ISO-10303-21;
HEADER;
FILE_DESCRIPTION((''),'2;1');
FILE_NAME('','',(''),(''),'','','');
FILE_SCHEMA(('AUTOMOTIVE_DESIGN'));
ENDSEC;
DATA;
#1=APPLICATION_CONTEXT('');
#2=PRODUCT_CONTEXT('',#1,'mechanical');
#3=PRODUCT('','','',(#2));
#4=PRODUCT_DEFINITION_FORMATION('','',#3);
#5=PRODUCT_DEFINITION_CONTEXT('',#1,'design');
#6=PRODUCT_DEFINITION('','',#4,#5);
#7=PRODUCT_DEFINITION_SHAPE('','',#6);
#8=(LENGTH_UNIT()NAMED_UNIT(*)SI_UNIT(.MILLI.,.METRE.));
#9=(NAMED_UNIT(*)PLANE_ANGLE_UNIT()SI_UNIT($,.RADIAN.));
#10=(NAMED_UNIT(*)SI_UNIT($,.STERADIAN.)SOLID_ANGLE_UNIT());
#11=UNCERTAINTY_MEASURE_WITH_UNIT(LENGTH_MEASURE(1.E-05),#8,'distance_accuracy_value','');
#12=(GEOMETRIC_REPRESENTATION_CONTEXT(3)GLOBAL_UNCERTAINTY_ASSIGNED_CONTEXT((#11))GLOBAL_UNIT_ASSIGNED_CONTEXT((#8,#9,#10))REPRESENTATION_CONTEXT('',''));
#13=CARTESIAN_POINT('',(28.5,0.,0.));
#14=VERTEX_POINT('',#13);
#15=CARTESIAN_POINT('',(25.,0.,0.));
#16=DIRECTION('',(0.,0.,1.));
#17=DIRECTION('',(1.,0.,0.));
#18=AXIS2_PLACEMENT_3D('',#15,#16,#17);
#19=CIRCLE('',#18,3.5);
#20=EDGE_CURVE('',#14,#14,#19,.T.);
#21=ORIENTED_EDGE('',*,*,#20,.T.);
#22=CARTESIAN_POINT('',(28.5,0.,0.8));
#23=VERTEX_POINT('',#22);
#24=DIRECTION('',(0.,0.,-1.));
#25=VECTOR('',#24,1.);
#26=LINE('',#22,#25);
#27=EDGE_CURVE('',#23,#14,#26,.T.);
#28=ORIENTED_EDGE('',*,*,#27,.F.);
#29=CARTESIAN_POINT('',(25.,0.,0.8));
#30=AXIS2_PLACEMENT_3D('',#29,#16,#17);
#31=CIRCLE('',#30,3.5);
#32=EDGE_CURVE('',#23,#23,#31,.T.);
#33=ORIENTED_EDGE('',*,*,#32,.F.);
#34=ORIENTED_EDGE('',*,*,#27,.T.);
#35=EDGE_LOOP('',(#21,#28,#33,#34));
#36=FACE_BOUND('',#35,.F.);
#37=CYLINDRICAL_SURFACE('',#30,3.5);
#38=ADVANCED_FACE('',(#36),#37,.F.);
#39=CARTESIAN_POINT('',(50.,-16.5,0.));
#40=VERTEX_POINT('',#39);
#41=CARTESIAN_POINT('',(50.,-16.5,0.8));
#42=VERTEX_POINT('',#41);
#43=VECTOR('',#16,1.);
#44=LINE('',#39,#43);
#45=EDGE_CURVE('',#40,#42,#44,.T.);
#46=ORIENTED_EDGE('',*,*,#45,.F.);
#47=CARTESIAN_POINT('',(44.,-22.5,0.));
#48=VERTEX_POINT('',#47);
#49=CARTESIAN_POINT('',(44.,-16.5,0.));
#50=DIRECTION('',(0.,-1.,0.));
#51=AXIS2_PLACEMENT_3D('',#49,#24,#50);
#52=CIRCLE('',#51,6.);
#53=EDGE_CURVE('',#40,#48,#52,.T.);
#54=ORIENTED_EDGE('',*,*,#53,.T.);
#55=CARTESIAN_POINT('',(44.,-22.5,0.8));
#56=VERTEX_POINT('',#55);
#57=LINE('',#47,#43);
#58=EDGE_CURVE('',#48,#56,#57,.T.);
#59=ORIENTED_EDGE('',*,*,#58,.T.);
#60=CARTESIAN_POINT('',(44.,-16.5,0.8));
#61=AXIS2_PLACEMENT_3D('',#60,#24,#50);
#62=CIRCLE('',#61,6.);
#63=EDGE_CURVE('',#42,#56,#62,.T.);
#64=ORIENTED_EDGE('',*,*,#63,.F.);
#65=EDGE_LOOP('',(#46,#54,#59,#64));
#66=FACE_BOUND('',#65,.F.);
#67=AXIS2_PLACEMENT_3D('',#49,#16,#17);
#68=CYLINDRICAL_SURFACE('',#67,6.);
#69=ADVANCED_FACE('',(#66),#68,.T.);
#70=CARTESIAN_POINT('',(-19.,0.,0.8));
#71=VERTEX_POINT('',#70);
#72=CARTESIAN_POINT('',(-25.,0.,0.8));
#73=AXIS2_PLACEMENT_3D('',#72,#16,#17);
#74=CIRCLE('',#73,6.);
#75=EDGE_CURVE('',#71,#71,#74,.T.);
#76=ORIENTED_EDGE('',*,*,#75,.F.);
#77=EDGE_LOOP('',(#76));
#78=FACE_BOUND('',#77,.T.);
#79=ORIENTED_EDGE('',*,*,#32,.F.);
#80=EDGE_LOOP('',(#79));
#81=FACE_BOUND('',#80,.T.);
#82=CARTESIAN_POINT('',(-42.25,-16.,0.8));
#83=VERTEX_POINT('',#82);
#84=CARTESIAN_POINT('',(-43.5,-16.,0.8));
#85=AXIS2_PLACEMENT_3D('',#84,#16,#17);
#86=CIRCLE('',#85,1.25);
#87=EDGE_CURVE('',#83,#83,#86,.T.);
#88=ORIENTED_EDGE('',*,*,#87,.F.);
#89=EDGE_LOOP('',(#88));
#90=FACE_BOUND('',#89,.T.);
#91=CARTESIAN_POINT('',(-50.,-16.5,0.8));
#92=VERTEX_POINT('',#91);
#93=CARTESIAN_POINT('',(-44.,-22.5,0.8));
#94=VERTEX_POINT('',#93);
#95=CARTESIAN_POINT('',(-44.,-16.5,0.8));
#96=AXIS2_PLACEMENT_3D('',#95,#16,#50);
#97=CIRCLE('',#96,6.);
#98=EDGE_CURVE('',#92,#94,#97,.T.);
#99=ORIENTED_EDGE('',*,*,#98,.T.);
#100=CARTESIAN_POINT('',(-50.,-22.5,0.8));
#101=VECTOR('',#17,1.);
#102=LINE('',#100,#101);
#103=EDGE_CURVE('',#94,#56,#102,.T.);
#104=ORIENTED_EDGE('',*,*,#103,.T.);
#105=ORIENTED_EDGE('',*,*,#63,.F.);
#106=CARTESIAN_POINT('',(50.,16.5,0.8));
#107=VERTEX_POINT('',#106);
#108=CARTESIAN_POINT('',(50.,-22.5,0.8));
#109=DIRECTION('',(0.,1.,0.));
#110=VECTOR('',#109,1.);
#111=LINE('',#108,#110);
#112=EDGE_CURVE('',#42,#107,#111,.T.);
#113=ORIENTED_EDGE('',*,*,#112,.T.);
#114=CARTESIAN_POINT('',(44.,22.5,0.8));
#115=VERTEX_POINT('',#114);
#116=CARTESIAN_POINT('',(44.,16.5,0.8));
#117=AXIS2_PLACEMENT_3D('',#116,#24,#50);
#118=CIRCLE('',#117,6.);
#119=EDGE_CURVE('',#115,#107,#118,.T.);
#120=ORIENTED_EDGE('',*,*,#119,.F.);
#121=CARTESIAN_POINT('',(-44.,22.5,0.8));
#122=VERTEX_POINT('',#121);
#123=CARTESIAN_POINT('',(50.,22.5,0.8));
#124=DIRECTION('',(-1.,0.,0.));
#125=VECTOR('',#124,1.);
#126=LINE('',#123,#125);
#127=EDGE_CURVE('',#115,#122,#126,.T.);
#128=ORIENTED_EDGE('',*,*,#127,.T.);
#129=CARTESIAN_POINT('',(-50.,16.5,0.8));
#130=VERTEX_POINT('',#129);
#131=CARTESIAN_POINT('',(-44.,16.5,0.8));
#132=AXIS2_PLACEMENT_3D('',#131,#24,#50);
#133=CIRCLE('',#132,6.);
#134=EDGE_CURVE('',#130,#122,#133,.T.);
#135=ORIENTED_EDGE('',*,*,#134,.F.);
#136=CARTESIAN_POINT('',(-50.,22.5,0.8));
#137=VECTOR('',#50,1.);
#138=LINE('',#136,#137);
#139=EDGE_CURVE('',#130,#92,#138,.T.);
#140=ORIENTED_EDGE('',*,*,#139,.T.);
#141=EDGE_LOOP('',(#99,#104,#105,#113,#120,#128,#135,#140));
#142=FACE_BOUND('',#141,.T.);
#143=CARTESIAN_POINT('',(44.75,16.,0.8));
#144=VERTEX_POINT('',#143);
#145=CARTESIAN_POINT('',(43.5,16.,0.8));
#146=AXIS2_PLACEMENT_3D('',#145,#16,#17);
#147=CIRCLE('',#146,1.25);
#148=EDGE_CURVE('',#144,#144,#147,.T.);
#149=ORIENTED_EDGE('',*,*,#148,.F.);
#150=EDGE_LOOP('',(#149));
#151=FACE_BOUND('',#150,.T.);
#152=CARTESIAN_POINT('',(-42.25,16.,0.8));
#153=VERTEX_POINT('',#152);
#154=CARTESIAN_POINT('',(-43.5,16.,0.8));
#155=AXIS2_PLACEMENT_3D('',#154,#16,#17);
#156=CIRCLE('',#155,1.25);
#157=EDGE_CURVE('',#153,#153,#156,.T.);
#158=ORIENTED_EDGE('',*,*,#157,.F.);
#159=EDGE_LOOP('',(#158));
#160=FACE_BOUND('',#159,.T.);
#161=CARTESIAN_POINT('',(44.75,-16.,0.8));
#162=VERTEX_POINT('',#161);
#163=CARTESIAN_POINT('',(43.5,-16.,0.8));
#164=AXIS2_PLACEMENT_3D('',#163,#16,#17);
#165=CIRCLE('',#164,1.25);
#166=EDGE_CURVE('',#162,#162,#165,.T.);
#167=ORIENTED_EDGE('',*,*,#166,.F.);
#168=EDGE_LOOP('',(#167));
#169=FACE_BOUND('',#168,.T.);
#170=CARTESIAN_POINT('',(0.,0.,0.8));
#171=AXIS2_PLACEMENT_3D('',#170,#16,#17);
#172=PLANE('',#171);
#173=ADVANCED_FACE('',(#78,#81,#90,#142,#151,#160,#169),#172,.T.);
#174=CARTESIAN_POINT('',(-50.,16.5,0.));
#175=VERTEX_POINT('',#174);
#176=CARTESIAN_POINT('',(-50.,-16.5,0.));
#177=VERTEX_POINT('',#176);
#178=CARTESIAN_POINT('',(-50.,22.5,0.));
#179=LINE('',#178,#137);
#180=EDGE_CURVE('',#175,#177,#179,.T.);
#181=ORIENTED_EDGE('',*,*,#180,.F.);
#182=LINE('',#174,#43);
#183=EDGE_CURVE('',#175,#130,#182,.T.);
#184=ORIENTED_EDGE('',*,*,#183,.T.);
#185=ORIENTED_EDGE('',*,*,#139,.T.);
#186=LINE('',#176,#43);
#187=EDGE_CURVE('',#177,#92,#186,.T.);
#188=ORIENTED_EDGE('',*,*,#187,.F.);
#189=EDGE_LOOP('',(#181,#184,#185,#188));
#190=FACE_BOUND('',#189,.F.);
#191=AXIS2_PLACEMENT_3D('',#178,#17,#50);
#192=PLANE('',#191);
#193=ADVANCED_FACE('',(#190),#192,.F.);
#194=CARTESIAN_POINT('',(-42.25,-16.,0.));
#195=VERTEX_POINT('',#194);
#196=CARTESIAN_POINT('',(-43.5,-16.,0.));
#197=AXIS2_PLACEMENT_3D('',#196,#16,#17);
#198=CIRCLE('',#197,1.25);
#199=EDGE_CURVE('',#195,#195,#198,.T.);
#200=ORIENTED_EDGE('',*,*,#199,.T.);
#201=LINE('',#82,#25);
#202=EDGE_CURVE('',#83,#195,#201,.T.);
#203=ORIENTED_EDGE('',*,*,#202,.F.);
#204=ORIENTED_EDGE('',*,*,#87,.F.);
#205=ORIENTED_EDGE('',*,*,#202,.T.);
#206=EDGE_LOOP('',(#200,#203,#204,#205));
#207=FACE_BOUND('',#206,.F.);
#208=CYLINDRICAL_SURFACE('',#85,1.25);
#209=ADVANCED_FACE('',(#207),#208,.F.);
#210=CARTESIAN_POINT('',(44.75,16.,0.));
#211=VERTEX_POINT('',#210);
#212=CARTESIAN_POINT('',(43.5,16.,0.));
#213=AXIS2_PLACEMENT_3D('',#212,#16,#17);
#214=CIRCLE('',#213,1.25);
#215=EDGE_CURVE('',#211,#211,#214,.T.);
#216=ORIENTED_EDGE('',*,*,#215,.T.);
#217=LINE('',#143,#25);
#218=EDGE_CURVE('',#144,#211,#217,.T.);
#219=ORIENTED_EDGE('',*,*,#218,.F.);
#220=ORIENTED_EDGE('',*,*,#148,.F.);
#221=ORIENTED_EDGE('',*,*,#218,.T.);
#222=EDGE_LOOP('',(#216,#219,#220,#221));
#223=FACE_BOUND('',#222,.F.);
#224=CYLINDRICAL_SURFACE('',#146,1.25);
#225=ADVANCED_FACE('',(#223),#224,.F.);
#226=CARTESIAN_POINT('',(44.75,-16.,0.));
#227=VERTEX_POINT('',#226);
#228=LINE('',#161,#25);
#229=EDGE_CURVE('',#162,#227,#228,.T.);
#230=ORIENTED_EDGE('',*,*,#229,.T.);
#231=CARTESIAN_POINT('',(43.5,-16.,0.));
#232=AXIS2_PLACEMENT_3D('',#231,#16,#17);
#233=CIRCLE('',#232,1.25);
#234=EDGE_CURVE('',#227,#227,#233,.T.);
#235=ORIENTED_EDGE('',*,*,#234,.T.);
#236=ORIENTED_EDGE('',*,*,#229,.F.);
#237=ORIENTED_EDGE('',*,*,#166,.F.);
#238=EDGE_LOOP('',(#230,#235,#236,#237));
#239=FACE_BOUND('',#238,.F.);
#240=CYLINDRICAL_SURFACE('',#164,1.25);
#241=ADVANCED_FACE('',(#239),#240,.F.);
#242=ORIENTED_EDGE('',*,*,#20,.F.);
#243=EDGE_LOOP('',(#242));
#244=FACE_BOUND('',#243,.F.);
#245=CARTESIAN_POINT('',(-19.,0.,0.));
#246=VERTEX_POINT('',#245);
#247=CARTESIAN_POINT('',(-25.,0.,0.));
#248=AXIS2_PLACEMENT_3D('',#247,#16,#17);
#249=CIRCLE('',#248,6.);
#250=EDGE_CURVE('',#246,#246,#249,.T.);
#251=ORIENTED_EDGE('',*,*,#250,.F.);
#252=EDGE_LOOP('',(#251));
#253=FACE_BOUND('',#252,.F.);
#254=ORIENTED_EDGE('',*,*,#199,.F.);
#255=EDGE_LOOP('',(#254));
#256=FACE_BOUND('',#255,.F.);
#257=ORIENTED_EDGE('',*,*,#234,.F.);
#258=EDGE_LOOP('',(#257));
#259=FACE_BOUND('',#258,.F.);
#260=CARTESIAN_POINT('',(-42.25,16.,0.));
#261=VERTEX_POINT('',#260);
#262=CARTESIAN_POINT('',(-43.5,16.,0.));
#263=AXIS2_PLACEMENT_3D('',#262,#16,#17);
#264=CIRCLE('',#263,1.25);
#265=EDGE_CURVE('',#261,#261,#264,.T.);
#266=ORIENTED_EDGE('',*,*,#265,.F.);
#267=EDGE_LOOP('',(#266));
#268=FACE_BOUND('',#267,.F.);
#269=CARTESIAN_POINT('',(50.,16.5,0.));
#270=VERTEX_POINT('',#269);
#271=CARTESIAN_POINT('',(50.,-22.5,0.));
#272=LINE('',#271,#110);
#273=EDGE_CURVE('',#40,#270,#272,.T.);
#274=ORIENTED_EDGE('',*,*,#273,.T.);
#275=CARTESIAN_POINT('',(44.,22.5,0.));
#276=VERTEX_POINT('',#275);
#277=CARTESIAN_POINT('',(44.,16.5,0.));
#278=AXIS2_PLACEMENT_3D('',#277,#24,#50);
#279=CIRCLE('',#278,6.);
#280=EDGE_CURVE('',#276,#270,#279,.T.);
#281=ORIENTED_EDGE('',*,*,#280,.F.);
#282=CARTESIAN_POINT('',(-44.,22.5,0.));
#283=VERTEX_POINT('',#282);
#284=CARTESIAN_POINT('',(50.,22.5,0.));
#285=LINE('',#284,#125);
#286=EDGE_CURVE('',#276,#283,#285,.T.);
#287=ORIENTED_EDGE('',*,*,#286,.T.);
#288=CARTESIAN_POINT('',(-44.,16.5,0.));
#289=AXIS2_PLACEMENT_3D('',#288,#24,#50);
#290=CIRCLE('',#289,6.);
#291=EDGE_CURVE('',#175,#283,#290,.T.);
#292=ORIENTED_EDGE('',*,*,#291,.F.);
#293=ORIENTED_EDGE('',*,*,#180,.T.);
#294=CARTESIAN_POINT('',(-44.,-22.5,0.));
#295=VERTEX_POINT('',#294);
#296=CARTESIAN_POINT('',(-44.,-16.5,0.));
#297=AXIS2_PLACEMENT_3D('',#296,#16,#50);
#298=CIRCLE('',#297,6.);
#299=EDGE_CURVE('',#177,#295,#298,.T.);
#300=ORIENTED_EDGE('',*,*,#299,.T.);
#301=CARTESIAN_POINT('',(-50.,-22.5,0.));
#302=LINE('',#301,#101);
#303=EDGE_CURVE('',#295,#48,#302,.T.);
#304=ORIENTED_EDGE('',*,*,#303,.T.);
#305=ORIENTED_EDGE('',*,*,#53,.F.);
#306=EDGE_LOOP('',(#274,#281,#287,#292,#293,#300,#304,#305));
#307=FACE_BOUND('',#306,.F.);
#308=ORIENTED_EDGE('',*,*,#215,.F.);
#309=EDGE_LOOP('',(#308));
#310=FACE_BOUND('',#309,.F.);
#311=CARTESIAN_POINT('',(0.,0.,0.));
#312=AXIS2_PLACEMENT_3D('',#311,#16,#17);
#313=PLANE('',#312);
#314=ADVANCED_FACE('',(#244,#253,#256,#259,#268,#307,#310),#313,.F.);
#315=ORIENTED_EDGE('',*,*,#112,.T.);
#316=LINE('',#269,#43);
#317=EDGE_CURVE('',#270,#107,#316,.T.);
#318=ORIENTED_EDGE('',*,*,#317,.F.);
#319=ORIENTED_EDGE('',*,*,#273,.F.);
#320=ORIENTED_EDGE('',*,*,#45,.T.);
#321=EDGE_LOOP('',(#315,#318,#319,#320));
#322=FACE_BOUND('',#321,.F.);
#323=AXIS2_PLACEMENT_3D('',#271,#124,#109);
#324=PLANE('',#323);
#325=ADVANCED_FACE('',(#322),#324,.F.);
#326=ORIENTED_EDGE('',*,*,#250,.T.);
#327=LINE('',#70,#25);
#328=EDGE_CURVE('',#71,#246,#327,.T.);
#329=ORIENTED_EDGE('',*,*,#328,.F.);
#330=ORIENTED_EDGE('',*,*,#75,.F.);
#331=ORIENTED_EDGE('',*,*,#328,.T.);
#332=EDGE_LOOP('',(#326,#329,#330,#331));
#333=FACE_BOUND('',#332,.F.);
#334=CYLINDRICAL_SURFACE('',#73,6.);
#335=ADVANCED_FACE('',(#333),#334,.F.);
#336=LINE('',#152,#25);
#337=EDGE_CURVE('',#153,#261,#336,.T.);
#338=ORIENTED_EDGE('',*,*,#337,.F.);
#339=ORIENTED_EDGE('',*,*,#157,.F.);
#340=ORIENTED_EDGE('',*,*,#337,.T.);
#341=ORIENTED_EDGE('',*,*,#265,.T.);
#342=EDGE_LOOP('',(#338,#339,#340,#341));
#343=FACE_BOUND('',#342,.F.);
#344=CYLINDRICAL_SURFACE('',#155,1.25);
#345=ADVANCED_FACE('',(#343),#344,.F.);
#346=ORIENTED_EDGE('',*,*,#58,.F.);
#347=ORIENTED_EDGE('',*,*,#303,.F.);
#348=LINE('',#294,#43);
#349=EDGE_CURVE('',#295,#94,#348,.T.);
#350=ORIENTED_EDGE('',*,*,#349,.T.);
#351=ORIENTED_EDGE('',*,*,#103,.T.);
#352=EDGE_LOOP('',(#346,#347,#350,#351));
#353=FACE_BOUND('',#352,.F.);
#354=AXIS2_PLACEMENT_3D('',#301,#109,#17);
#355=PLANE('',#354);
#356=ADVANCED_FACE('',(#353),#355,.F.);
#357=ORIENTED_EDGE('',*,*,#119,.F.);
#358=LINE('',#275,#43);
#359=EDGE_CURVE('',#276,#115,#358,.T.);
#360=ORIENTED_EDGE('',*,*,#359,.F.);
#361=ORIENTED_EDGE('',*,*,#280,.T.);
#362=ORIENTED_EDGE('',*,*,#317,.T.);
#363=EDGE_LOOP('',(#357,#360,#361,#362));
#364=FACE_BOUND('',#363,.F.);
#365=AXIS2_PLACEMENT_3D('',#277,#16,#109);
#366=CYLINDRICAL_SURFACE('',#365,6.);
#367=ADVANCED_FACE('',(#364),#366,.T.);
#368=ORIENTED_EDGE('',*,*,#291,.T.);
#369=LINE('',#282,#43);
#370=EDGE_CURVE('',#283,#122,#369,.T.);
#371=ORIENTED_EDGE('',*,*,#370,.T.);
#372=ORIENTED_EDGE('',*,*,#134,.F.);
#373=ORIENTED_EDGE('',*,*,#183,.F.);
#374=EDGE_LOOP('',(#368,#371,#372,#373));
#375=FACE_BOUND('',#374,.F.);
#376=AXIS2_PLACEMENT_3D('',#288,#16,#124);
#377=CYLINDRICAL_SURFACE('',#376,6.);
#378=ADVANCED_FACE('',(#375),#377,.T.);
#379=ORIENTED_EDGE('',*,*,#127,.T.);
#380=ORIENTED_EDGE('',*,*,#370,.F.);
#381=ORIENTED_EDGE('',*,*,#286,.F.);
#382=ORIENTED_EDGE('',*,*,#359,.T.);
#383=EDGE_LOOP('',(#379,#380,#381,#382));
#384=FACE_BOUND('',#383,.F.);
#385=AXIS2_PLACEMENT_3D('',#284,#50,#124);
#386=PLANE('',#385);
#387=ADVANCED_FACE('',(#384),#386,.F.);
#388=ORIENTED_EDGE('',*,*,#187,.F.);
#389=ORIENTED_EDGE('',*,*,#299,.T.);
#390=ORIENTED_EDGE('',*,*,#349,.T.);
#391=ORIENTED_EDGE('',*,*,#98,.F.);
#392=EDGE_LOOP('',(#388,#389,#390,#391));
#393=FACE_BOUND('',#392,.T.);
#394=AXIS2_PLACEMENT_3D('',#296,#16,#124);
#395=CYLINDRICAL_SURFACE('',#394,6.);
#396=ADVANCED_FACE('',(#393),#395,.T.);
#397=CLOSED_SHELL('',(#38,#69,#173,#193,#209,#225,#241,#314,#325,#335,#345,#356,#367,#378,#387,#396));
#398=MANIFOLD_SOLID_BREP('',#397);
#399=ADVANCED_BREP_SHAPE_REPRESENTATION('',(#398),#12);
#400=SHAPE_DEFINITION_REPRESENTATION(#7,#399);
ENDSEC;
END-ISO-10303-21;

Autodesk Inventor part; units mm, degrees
ref_plane "YZ Plane" through (0, 0, 0) normal (1, 0, 0) x (0, 1, 0)
ref_plane "XZ Plane" through (0, 0, 0) normal (0, 1, 0) x (-1, 0, 0)
ref_plane "XY Plane" through (0, 0, 0) normal (0, 0, 1) x (1, 0, 0)
sketch "Skizze2" plane through (0, 0, 0) normal (0, 0, 1) x (1, 0, 0)
  line L0 (-50, -22.5) -> (50, -22.5)
  line L1 (50, -22.5) -> (50, 22.5)
  line L2 (50, 22.5) -> (-50, 22.5)
  line L3 (-50, 22.5) -> (-50, -22.5)
  line L4 (-50, -22.5) -> (50, 22.5) construction
  line L5 (50, -22.5) -> (-50, 22.5) construction
  point P0 (0, 0)
  dimension "d0" = 100
  dimension "d1" = 45
extrude "Extrusion1" add sketch "Skizze2" along normal blind 0.8
fillet "Rundung1" radius 6 4 edges at (-50, 22.5, 0.4) (50, 22.5, 0.4) (50, -22.5, 0.4) (-50, -22.5, 0.4)
sketch "Skizze3" plane through (0, 0, 0.8) normal (0, 0, 1) x (1, 0, 0)
  line L0 (-50, 22.5) -> (50, 22.5) construction
  line L1 (50, 22.5) -> (50, -22.6939) construction
  line L2 (50, -22.6939) -> (-50, -22.6939) construction
  line L3 (-50, -22.6939) -> (-50, 22.5) construction
  line L4 (-50, 16.5) -> (-50, -16.5) projected
  line L5 (44, 22.5) -> (-44, 22.5) projected
  point P0 (0, 0)
  dimension "d6" = 100
decal "Aufkleber1"
sketch "Skizze4" plane through (0, 0, 0.8) normal (0, 0, 1) x (1, 0, 0)
  circle A0 centre (-25, 0) radius 6
  line L0 (44, 22.5) -> (-44, 22.5) projected
  line L1 (-50, 16.5) -> (-50, -16.5) projected
  circle A1 centre (25, 0) radius 3.5
  line L2 (50, -16.5) -> (50, 16.5) projected
  point P0 (0, 0)
  dimension "d10" = 22.5
  dimension "d11" = 25
  dimension "d12" = 12
  dimension "d15" = 25
  dimension "d16" = 7
extrude "Extrusion2" cut sketch "Skizze4" against normal through all
sketch "Skizze5" plane through (0, 0, 0.8) normal (0, 0, 1) x (1, 0, 0)
  circle A0 centre (-43.5, 16) radius 1.25
  circle A1 centre (43.5, 16) radius 1.25
  circle A2 centre (43.5, -16) radius 1.25
  circle A3 centre (-43.5, -16) radius 1.25
  line L0 (0, 31.5) -> (0, -31.5) construction
  line L1 (-71.1379, 0) -> (70.1897, 0) construction
  line L2 (44, 22.5) -> (-44, 22.5) construction
  line L3 (-50, 16.5) -> (-50, -16.5) construction
  point P0 (0, 0)
  dimension "d17" = 2.5
  dimension "d18" = 6.5
  dimension "d19" = 6.5
extrude "Extrusion3" cut sketch "Skizze5" against normal through all
properties part number "EW_MessingplatteBedienelemente" material "Messing"
